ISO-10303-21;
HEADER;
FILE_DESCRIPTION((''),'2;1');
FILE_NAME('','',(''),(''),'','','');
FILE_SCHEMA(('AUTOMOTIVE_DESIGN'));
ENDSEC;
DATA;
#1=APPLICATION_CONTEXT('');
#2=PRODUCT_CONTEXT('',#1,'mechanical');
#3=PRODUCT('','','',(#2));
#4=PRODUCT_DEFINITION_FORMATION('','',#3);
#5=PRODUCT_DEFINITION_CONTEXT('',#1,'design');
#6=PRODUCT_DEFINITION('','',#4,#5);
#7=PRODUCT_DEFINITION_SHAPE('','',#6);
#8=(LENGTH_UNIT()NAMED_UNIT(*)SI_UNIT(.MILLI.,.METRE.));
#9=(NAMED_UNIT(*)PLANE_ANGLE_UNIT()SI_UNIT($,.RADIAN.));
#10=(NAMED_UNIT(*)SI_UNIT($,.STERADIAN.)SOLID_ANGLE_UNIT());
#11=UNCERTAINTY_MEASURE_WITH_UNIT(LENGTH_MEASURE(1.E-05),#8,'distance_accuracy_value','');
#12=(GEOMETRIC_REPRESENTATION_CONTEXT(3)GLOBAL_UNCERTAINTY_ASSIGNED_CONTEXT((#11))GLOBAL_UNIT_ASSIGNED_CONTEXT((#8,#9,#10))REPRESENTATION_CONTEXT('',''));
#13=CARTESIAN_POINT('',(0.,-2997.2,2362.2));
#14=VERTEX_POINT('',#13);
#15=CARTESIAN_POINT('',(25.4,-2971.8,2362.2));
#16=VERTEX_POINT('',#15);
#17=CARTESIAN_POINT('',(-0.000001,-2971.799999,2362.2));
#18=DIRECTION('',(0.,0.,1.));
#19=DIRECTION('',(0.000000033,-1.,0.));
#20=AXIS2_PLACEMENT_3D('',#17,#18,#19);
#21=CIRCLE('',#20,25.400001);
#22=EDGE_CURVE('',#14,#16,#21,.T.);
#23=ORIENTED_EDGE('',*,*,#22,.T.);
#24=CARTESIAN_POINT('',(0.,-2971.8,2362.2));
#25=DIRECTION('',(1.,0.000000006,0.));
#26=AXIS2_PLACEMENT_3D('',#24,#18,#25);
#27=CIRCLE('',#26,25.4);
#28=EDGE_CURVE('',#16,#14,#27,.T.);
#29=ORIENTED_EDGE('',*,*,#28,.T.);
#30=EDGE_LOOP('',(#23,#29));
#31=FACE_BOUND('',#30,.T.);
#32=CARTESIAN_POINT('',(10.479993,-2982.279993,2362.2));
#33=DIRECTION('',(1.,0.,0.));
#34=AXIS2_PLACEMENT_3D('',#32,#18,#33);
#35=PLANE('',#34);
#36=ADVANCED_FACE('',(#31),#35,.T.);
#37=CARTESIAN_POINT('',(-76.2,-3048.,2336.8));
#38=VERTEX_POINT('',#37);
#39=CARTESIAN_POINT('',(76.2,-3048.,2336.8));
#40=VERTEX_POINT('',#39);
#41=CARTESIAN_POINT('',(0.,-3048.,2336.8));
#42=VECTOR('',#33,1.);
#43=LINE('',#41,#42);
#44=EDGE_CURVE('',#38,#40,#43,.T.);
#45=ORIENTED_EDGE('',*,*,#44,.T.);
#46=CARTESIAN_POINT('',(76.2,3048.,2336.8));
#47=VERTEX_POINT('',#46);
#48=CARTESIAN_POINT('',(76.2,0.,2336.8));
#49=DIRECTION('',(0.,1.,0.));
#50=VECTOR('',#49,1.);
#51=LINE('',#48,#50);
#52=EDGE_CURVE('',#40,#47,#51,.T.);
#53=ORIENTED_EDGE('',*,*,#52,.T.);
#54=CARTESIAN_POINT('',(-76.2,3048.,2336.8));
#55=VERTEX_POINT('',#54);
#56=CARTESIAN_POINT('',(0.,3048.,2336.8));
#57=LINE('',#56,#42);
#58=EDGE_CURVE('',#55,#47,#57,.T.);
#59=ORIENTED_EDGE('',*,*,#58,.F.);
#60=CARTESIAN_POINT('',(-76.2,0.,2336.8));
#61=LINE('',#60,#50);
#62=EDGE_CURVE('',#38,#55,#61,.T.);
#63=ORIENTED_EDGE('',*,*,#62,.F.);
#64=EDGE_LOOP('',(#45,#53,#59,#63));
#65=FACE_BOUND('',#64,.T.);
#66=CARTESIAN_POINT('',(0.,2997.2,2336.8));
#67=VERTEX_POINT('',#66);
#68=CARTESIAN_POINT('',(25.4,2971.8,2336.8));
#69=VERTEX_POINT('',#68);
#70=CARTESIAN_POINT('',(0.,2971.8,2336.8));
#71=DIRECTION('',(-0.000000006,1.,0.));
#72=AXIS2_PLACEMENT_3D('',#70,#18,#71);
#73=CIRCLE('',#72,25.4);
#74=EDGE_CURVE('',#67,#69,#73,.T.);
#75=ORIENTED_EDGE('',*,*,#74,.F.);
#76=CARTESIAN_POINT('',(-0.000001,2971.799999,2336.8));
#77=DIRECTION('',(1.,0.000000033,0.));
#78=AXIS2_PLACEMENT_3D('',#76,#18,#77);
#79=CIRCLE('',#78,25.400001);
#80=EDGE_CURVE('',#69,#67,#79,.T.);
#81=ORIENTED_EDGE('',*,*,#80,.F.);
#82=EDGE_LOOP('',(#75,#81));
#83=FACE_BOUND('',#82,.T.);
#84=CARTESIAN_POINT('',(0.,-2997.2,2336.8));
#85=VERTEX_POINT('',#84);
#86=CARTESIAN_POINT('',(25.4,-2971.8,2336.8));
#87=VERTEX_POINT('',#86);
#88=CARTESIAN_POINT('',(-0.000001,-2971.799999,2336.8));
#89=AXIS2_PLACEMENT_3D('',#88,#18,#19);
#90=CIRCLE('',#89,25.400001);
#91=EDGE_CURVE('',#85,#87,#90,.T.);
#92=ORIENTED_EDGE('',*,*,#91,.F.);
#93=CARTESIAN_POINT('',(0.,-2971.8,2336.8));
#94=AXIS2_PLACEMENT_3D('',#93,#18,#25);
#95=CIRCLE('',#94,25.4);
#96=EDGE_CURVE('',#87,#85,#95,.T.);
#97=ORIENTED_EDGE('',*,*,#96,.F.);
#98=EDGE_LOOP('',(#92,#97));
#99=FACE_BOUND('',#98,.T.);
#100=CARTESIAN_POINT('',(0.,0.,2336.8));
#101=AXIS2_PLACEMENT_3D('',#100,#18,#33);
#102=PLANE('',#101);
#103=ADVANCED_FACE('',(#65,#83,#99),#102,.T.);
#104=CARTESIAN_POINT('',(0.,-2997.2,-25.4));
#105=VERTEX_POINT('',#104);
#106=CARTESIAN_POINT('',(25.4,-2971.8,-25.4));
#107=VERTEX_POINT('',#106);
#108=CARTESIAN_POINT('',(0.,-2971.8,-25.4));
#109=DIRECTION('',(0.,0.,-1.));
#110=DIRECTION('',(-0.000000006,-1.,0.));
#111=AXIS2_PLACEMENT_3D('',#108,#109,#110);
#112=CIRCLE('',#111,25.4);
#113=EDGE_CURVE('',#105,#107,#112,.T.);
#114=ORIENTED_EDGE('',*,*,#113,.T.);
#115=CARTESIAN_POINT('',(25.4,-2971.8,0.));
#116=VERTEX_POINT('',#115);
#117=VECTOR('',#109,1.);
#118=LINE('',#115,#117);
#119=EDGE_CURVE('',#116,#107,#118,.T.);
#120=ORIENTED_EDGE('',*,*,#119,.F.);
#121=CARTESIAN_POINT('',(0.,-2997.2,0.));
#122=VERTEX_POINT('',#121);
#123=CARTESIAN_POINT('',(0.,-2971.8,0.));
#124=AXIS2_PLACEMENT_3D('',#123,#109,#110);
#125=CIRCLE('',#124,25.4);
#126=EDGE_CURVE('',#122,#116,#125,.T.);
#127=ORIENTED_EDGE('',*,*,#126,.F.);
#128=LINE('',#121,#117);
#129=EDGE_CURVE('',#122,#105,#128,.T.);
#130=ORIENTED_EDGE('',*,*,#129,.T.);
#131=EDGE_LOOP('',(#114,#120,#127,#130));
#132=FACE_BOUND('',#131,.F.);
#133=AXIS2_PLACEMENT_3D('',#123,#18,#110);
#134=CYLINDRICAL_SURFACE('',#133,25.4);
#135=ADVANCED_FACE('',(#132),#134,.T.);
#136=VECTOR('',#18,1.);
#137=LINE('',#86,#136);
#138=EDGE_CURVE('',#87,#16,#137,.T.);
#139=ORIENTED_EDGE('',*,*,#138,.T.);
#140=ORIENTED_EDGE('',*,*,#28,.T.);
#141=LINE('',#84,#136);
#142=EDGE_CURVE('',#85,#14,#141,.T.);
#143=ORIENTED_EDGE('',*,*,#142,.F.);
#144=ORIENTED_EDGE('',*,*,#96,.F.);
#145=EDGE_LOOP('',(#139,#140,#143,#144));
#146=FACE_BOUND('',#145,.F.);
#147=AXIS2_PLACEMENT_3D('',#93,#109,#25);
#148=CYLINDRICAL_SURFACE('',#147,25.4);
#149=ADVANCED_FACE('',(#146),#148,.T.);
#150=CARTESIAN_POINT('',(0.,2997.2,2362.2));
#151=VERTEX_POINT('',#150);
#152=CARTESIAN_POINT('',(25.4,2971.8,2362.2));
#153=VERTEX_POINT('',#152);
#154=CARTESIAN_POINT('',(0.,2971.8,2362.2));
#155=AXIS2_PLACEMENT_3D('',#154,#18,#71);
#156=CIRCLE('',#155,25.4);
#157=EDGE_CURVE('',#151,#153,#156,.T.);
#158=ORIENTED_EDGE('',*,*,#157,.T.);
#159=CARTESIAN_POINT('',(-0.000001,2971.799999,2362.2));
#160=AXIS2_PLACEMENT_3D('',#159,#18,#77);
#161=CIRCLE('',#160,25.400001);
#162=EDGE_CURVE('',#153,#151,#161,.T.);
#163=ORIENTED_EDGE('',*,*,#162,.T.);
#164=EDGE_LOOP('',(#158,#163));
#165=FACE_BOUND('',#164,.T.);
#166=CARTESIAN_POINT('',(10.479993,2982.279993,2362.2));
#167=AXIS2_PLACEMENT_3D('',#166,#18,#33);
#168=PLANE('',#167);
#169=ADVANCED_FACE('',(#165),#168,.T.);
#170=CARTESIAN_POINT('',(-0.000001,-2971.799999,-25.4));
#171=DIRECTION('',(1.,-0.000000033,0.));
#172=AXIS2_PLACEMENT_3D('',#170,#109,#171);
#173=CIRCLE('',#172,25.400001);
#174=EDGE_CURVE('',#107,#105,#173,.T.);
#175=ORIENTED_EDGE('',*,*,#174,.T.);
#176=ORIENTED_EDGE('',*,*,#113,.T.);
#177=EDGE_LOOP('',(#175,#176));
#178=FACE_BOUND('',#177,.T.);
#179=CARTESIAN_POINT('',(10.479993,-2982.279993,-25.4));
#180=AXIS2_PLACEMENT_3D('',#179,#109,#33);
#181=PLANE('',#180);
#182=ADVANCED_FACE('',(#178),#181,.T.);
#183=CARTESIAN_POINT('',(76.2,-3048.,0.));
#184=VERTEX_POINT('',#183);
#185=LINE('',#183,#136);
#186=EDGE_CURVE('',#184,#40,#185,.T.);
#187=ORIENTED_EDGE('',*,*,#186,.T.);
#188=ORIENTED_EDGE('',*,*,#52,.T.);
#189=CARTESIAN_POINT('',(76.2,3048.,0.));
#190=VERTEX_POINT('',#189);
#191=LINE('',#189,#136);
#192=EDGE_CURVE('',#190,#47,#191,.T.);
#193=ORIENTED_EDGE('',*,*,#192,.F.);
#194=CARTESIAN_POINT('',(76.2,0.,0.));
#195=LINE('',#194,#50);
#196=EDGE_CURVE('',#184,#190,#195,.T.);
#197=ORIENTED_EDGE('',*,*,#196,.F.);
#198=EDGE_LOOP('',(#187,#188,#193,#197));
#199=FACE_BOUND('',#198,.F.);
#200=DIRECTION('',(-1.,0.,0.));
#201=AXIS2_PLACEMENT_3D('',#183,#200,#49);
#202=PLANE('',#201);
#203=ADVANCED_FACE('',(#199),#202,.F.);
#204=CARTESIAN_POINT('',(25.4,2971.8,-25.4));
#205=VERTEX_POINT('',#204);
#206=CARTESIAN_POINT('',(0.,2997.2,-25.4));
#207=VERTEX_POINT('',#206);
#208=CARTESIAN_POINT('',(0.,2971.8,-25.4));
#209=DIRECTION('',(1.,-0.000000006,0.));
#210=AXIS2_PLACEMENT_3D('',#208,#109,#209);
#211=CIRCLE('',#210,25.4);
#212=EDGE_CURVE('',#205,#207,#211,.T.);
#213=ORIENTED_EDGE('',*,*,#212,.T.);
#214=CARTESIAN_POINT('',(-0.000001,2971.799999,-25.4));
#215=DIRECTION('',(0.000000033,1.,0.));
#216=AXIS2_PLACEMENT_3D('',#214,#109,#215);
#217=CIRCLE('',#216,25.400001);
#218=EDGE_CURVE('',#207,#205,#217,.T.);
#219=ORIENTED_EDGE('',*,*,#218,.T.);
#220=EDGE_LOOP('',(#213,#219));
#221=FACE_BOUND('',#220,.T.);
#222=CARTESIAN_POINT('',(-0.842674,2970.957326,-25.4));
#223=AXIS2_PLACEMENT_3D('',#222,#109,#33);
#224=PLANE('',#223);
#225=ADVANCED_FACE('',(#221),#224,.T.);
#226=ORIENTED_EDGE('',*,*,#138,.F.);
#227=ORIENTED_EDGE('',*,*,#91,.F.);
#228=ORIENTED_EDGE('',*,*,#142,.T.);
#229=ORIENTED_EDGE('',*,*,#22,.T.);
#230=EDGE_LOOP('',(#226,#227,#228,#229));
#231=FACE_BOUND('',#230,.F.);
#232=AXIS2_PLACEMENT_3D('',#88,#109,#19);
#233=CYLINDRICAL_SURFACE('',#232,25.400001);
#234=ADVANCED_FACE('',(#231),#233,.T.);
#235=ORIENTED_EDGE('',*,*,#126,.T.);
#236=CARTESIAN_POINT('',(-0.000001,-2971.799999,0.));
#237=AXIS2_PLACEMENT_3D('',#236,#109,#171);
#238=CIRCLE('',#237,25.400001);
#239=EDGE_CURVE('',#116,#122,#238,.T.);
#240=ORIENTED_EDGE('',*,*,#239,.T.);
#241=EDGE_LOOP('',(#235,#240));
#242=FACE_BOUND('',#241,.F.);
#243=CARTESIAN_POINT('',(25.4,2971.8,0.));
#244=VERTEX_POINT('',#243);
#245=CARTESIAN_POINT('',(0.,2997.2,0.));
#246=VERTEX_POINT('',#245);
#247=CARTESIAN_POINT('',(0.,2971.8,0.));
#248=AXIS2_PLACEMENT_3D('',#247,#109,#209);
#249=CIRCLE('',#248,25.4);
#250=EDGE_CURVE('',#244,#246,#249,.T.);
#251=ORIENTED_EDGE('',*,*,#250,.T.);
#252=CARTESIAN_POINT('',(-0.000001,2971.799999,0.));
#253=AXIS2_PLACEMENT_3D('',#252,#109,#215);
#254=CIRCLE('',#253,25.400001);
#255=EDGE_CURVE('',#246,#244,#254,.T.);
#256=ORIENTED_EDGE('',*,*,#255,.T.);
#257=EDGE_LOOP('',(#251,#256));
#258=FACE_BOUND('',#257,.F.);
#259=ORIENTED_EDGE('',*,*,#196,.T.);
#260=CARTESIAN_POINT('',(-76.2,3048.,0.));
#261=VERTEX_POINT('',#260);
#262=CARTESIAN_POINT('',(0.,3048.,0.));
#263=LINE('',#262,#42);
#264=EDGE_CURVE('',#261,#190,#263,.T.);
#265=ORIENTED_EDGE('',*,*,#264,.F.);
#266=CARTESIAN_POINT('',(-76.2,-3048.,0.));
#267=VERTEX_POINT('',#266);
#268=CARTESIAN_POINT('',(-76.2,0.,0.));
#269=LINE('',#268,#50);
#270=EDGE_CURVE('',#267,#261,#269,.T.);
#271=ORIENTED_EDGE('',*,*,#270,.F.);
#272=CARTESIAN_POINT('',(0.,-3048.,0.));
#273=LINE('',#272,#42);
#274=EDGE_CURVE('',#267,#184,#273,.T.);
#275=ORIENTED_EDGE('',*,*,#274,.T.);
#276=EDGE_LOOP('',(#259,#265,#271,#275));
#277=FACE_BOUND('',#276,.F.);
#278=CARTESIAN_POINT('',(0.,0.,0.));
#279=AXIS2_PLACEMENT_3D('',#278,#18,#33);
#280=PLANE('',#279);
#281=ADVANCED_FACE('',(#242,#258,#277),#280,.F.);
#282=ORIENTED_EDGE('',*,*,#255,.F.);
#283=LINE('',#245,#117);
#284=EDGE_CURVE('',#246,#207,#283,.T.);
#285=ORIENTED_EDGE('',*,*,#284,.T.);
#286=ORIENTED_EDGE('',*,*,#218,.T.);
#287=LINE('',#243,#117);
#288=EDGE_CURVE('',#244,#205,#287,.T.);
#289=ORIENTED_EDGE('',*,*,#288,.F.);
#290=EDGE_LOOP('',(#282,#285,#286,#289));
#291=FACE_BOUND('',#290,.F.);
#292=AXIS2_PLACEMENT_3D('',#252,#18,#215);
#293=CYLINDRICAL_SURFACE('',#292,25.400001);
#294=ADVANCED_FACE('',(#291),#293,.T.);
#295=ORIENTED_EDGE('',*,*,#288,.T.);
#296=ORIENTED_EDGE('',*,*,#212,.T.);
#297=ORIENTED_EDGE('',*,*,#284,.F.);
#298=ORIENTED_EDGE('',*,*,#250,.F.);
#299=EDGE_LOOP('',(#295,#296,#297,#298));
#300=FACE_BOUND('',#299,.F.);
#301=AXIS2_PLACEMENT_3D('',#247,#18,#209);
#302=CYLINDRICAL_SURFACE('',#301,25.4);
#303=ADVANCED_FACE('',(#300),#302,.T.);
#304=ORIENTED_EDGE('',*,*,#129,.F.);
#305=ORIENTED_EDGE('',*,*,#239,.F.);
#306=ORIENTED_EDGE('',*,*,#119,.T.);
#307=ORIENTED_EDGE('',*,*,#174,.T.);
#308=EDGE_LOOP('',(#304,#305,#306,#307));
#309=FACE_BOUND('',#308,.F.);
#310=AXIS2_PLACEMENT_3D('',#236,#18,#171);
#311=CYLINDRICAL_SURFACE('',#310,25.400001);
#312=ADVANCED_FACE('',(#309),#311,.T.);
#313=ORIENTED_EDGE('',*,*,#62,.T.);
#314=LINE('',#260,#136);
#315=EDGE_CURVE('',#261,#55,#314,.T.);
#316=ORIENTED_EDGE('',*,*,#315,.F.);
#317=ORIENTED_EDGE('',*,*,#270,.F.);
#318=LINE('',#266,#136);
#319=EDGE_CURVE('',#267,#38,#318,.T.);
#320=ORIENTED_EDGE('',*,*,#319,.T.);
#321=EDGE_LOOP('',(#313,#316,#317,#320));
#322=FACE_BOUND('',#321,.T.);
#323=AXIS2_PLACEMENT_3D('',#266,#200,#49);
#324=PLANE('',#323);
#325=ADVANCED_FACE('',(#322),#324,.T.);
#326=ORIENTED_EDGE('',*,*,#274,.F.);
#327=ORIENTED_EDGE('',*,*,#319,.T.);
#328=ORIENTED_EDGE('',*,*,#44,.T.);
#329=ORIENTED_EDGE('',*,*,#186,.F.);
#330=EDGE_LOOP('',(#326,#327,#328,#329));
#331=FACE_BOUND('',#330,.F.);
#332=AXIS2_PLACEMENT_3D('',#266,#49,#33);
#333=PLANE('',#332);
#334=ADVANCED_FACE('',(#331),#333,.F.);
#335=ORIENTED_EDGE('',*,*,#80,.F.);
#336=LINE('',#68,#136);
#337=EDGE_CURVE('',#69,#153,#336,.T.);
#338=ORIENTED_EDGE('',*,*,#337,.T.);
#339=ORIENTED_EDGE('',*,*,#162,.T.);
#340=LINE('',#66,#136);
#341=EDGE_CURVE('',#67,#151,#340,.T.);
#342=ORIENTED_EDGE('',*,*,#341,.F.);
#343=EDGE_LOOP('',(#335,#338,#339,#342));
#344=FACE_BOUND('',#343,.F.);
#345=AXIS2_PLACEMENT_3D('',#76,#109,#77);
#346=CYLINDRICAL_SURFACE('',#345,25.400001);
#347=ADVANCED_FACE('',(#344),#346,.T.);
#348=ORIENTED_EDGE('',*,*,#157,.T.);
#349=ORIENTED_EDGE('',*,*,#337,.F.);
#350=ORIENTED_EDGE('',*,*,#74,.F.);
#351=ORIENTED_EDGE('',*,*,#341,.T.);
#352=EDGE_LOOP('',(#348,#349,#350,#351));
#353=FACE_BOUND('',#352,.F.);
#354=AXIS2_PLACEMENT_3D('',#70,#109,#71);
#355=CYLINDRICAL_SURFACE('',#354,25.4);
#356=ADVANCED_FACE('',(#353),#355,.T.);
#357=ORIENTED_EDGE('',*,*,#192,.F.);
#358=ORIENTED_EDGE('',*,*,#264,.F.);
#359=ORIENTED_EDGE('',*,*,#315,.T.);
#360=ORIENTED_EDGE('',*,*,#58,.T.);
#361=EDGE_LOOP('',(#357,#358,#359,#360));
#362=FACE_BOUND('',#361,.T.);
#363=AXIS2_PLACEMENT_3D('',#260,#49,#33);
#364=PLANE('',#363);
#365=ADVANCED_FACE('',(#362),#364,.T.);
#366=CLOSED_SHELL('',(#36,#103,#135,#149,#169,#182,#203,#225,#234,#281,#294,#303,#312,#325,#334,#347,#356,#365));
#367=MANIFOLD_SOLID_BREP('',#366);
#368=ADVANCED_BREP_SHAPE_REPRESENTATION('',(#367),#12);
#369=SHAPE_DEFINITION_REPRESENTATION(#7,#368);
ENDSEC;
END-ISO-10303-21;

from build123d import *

# Parameters (mm, degrees)
F0_W     = 152.4
F0_H     = 6096
F1_DEPTH = 2336.8
F3_DEPTH = 25.4
F5_DEPTH = 25.4


with BuildPart() as f1:
    # F0 (on Top) → F1 (new body)
    with BuildSketch(Plane.XY):
        Rectangle(F0_W, F0_H)
    extrude(amount=F1_DEPTH)

    # F2 (on face) → F3 (join)
    with BuildSketch(Plane(origin=(0, 0, 0), x_dir=(1, 0, 0), z_dir=(0, 0, -1))):
        with BuildLine():
            Line((0, 2971.8), (25.4, 2971.8))
            ThreePointArc((25.4, 2971.8), (17.960512, 2989.760512), (0, 2997.2))
            Line((0, 2997.2), (0, 2971.8))
        make_face()
        with BuildLine():
            ThreePointArc((0, 2997.2), (-17.960512, 2953.839488), (25.4, 2971.8))
            Line((25.4, 2971.8), (0, 2971.8))
            Line((0, 2971.8), (0, 2997.2))
        make_face()
        with BuildLine():
            ThreePointArc((25.4, -2971.8), (-17.960512, -2953.839488), (0, -2997.2))
            Line((0, -2997.2), (0, -2971.8))
            Line((0, -2971.8), (25.4, -2971.8))
        make_face()
        with BuildLine():
            Line((0, -2971.8), (0, -2997.2))
            ThreePointArc((0, -2997.2), (17.960512, -2989.760512), (25.4, -2971.8))
            Line((25.4, -2971.8), (0, -2971.8))
        make_face()
    extrude(amount=F3_DEPTH)

    # F4 (on face) → F5 (join)
    with BuildSketch(Plane.XY.offset(2336.8)):
        with BuildLine():
            ThreePointArc((25.4, 2971.8), (17.960512, 2989.760512), (0, 2997.2))
            Line((0, 2997.2), (0, 2971.8))
            Line((0, 2971.8), (25.4, 2971.8))
        make_face()
        with BuildLine():
            Line((0, 2971.8), (0, 2997.2))
            ThreePointArc((0, 2997.2), (-17.960512, 2953.839488), (25.4, 2971.8))
            Line((25.4, 2971.8), (0, 2971.8))
        make_face()
        with BuildLine():
            ThreePointArc((0, -2997.2), (17.960512, -2989.760512), (25.4, -2971.8))
            Line((25.4, -2971.8), (0, -2971.8))
            Line((0, -2971.8), (0, -2997.2))
        make_face()
        with BuildLine():
            Line((0, -2971.8), (25.4, -2971.8))
            ThreePointArc((25.4, -2971.8), (-17.960512, -2953.839488), (0, -2997.2))
            Line((0, -2997.2), (0, -2971.8))
        make_face()
    extrude(amount=F5_DEPTH)


solid = f1.part
